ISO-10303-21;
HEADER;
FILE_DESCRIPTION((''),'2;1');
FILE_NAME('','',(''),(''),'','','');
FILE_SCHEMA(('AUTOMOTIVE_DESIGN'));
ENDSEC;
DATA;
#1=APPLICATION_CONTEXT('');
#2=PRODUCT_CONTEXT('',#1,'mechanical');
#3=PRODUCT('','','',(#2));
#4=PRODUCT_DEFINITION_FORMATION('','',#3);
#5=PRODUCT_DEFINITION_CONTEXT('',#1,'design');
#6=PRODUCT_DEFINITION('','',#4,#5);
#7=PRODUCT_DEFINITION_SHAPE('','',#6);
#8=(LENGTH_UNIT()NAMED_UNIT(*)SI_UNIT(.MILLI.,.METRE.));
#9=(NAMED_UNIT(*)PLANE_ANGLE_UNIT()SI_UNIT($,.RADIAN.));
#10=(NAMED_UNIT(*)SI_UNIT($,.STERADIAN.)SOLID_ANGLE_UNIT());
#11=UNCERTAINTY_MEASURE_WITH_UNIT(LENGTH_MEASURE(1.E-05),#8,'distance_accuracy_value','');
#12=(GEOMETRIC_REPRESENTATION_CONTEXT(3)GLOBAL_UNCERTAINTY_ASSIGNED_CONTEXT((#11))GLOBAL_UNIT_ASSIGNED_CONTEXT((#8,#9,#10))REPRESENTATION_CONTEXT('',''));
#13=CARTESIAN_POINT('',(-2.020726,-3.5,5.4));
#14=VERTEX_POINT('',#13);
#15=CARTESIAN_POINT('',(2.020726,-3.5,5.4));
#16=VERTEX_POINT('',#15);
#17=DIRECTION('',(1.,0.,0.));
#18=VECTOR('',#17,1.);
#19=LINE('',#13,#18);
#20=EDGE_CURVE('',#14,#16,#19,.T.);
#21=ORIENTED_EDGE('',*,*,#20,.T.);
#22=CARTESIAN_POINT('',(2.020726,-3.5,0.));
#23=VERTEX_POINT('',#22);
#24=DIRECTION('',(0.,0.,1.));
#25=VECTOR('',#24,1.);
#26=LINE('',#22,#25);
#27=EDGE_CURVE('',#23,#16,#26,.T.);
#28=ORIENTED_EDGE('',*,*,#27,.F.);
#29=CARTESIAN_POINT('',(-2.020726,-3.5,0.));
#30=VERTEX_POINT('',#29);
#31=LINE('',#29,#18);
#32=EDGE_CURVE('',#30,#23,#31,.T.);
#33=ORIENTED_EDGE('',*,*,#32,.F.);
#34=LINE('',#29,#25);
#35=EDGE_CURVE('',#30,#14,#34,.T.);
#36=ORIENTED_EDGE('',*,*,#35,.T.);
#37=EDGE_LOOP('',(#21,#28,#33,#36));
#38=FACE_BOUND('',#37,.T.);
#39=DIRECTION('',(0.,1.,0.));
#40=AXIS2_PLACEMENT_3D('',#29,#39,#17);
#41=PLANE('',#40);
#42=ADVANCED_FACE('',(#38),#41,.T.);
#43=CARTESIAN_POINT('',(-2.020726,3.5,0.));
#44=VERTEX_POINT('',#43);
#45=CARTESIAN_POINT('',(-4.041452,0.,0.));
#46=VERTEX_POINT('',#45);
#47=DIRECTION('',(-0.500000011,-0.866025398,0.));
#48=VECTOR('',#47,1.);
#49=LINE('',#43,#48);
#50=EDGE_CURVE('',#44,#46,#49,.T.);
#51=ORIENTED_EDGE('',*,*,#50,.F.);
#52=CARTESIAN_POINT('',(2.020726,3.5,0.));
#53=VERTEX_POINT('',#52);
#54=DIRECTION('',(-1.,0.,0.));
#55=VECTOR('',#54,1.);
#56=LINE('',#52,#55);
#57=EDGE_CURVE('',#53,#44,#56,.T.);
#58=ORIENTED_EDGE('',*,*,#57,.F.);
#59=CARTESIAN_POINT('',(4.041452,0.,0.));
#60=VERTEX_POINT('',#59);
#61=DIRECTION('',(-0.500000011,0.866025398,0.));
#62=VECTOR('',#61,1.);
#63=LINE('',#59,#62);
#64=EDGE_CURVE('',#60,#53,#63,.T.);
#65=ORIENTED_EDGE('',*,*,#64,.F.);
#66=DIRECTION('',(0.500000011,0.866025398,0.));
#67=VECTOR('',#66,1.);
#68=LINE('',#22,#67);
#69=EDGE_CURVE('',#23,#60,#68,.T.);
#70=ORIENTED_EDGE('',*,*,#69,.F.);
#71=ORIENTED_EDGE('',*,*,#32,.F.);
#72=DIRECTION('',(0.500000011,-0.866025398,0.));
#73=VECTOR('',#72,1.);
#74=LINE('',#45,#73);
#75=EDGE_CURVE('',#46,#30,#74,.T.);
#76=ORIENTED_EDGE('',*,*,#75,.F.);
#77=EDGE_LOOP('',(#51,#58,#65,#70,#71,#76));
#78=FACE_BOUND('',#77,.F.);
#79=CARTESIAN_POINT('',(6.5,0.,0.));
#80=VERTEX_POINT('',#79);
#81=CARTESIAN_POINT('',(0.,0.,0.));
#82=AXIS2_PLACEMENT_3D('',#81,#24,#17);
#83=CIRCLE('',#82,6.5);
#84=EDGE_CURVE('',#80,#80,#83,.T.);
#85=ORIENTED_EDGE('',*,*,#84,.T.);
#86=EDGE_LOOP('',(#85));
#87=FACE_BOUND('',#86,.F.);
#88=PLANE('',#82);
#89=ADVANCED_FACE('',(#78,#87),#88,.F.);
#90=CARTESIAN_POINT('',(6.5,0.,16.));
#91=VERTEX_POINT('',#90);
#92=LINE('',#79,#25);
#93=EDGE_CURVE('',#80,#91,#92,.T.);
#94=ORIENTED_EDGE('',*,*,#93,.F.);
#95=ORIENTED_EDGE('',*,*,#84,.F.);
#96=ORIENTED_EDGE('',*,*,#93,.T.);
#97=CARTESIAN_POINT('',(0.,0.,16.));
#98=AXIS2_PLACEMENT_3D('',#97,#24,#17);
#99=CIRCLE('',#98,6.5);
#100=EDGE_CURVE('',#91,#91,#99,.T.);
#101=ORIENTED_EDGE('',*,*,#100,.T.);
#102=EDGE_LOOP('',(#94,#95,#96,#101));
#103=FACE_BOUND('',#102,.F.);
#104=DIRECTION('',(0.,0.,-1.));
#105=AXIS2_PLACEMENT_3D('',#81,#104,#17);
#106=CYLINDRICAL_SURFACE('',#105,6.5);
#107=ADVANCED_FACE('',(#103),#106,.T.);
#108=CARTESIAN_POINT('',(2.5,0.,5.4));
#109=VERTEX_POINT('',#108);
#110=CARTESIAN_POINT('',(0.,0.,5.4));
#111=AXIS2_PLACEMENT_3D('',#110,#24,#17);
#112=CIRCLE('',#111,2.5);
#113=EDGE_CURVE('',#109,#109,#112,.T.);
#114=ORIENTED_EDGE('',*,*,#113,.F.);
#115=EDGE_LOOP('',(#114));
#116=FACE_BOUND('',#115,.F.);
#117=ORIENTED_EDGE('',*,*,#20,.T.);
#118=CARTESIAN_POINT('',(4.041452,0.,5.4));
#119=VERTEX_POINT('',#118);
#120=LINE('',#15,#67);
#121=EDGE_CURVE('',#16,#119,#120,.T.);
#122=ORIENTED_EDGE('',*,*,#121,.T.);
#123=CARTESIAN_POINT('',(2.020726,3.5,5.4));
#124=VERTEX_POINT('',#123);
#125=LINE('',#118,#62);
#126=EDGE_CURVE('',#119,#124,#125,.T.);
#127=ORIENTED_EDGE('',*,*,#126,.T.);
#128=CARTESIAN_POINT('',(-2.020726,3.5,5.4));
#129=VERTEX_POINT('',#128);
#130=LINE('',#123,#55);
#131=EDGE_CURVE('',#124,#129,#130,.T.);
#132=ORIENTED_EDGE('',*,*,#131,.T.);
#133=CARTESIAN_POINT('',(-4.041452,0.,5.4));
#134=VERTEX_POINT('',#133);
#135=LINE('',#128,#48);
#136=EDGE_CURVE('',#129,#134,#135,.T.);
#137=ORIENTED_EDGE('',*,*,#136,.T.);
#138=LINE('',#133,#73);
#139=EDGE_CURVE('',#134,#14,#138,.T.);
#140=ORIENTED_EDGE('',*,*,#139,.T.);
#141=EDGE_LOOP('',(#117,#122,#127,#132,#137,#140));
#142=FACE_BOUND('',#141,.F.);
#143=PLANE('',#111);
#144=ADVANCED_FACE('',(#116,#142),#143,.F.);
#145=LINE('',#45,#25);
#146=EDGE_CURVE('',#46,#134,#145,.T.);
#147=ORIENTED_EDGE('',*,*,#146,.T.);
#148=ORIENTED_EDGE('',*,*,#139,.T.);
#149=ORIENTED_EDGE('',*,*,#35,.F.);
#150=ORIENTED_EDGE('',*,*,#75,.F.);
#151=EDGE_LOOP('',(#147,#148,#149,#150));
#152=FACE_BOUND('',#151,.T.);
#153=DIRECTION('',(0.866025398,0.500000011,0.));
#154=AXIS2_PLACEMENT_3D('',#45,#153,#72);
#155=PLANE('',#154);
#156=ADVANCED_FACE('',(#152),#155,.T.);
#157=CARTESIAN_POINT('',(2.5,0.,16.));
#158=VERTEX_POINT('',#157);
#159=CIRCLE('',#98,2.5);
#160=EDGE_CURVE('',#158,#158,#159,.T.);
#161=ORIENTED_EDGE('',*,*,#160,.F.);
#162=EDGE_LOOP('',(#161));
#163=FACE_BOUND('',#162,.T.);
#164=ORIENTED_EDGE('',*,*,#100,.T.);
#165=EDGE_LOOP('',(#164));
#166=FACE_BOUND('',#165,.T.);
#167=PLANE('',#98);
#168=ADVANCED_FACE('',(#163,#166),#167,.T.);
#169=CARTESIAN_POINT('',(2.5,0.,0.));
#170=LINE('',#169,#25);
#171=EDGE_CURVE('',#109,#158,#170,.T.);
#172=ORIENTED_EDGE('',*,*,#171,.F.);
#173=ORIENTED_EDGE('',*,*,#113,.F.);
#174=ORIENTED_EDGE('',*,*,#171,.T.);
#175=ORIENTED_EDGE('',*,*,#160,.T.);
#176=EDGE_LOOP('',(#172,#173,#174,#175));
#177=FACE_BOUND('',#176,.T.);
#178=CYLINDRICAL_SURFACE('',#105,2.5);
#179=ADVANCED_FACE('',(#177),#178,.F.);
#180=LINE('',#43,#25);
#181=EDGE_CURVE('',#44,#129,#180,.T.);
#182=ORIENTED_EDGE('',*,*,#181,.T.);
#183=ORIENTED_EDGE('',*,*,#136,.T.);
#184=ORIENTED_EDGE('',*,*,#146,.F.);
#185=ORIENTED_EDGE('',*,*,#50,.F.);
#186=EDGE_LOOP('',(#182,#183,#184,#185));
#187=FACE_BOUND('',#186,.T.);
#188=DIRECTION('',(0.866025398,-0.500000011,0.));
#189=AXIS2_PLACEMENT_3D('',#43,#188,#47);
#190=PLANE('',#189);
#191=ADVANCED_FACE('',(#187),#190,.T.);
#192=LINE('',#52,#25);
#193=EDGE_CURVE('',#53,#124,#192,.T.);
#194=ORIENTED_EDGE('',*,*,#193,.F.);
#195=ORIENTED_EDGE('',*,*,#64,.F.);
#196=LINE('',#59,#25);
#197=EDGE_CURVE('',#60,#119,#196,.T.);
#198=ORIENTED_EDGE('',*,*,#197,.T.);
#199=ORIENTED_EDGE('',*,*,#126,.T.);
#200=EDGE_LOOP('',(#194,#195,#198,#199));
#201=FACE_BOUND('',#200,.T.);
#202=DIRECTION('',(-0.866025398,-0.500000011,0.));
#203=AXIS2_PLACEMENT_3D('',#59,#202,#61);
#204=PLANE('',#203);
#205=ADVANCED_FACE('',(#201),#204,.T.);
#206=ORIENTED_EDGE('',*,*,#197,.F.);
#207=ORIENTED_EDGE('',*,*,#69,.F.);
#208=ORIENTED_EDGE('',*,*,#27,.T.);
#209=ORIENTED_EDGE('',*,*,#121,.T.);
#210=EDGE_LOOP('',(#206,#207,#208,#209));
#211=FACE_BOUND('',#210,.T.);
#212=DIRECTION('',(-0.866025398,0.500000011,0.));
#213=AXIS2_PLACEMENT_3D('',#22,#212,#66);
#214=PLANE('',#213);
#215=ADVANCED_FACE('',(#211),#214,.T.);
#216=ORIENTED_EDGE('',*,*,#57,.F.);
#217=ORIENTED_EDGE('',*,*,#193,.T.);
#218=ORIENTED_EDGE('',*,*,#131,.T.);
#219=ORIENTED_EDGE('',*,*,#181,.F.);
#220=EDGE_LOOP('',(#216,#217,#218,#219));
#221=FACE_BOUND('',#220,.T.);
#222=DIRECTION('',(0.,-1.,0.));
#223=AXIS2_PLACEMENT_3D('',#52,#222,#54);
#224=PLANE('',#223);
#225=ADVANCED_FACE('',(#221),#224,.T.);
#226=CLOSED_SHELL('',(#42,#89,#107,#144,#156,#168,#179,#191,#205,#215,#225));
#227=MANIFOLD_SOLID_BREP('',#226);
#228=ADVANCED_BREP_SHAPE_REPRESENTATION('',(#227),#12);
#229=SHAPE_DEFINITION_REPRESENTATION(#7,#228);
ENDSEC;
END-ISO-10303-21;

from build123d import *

# Parameters (mm, degrees)
F0_R     = 6.5
F0_R_2   = 2.5
F1_DEPTH = 16
F2_DEPTH = 5.4


with BuildPart() as f1:
    # F0 (on Top) → F1 (new body)
    with BuildSketch(Plane.XY):
        Circle(F0_R)
        Polygon((-4.041452, 0), (-2.020726, 3.5), (2.020726, 3.5), (4.041452, 0), (2.020726, -3.5), (-2.020726, -3.5), align=None, mode=Mode.SUBTRACT)
        Polygon((2.020726, 3.5), (-2.020726, 3.5), (-4.041452, 0), (-2.020726, -3.5), (2.020726, -3.5), (4.041452, 0), align=None)
        Circle(F0_R_2, mode=Mode.SUBTRACT)
    extrude(amount=F1_DEPTH)

    # F0 (on Top) → F2 (cut)
    with BuildSketch(Plane.XY):
        Polygon((2.020726, 3.5), (-2.020726, 3.5), (-4.041452, 0), (-2.020726, -3.5), (2.020726, -3.5), (4.041452, 0), align=None)
        Circle(F0_R_2, mode=Mode.SUBTRACT)
    extrude(amount=F2_DEPTH, mode=Mode.SUBTRACT)


solid = f1.part
